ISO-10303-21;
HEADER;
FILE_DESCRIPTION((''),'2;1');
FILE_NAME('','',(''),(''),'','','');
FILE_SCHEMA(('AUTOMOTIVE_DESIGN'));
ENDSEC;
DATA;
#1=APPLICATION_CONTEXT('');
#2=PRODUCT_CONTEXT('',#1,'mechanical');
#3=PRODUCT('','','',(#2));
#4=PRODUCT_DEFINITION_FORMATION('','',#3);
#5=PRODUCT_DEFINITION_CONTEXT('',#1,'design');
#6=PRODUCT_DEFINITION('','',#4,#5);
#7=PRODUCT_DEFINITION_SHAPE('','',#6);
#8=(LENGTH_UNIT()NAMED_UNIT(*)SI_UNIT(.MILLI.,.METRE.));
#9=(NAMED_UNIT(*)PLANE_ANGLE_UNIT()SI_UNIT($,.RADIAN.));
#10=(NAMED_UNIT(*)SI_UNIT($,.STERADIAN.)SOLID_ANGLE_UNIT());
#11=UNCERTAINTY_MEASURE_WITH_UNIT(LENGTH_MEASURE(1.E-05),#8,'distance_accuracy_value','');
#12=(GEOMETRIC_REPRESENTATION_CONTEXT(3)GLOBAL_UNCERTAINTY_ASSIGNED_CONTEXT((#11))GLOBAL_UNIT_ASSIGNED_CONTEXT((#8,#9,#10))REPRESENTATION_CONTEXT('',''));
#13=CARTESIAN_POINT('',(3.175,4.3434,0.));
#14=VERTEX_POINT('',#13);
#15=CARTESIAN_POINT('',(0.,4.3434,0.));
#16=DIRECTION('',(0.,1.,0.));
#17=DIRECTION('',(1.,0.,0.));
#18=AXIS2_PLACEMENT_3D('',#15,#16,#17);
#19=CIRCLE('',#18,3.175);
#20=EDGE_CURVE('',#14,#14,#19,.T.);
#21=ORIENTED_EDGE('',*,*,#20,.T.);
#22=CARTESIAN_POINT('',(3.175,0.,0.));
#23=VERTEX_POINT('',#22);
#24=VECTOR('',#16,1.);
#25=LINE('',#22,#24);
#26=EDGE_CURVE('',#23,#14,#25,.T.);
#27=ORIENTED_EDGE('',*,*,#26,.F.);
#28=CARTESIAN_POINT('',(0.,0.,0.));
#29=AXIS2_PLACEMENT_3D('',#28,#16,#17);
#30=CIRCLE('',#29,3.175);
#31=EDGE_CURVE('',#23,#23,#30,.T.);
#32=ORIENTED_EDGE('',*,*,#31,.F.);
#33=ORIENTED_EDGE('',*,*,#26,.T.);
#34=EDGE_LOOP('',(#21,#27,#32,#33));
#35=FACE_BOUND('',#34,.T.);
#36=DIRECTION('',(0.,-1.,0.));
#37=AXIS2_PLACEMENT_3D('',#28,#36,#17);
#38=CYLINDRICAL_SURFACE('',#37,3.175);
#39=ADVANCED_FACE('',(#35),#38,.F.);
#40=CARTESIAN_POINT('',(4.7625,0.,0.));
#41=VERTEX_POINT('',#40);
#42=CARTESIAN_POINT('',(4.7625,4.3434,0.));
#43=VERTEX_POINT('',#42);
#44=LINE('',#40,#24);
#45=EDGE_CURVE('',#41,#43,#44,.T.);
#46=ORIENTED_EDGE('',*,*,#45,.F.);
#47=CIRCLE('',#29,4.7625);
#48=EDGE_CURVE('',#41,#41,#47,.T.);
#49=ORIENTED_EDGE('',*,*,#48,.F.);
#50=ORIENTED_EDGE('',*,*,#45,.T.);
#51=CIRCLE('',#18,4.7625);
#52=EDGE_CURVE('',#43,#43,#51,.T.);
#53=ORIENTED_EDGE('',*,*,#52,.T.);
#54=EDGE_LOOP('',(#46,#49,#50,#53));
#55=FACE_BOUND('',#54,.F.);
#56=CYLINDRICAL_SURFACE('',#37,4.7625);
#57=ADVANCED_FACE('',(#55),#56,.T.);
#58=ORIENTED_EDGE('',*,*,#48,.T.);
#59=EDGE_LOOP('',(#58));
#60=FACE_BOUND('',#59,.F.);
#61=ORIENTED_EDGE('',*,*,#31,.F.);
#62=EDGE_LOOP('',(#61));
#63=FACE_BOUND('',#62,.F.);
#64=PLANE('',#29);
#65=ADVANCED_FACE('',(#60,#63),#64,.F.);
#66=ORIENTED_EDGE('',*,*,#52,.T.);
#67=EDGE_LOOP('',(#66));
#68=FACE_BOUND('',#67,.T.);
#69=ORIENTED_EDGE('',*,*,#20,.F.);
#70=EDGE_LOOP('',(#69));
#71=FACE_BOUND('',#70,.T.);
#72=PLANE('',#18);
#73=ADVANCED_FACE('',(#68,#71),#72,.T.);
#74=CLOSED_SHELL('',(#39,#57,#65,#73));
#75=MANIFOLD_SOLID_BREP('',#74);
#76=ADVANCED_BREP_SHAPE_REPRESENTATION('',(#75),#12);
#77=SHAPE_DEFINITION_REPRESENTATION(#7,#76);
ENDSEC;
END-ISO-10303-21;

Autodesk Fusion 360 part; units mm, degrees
sketch "Sketch1" plane through (0, 0, 0) normal (0, 1, 0) x (1, 0, 0)
  circle A0 centre (0, 0) radius 3.175
  circle A1 centre (0, 0) radius 4.7625
  dimension "d1" = 6.35
  dimension "d2" = 9.525
extrude "Extrude1" add sketch "Sketch1" along normal blind 4.3434
